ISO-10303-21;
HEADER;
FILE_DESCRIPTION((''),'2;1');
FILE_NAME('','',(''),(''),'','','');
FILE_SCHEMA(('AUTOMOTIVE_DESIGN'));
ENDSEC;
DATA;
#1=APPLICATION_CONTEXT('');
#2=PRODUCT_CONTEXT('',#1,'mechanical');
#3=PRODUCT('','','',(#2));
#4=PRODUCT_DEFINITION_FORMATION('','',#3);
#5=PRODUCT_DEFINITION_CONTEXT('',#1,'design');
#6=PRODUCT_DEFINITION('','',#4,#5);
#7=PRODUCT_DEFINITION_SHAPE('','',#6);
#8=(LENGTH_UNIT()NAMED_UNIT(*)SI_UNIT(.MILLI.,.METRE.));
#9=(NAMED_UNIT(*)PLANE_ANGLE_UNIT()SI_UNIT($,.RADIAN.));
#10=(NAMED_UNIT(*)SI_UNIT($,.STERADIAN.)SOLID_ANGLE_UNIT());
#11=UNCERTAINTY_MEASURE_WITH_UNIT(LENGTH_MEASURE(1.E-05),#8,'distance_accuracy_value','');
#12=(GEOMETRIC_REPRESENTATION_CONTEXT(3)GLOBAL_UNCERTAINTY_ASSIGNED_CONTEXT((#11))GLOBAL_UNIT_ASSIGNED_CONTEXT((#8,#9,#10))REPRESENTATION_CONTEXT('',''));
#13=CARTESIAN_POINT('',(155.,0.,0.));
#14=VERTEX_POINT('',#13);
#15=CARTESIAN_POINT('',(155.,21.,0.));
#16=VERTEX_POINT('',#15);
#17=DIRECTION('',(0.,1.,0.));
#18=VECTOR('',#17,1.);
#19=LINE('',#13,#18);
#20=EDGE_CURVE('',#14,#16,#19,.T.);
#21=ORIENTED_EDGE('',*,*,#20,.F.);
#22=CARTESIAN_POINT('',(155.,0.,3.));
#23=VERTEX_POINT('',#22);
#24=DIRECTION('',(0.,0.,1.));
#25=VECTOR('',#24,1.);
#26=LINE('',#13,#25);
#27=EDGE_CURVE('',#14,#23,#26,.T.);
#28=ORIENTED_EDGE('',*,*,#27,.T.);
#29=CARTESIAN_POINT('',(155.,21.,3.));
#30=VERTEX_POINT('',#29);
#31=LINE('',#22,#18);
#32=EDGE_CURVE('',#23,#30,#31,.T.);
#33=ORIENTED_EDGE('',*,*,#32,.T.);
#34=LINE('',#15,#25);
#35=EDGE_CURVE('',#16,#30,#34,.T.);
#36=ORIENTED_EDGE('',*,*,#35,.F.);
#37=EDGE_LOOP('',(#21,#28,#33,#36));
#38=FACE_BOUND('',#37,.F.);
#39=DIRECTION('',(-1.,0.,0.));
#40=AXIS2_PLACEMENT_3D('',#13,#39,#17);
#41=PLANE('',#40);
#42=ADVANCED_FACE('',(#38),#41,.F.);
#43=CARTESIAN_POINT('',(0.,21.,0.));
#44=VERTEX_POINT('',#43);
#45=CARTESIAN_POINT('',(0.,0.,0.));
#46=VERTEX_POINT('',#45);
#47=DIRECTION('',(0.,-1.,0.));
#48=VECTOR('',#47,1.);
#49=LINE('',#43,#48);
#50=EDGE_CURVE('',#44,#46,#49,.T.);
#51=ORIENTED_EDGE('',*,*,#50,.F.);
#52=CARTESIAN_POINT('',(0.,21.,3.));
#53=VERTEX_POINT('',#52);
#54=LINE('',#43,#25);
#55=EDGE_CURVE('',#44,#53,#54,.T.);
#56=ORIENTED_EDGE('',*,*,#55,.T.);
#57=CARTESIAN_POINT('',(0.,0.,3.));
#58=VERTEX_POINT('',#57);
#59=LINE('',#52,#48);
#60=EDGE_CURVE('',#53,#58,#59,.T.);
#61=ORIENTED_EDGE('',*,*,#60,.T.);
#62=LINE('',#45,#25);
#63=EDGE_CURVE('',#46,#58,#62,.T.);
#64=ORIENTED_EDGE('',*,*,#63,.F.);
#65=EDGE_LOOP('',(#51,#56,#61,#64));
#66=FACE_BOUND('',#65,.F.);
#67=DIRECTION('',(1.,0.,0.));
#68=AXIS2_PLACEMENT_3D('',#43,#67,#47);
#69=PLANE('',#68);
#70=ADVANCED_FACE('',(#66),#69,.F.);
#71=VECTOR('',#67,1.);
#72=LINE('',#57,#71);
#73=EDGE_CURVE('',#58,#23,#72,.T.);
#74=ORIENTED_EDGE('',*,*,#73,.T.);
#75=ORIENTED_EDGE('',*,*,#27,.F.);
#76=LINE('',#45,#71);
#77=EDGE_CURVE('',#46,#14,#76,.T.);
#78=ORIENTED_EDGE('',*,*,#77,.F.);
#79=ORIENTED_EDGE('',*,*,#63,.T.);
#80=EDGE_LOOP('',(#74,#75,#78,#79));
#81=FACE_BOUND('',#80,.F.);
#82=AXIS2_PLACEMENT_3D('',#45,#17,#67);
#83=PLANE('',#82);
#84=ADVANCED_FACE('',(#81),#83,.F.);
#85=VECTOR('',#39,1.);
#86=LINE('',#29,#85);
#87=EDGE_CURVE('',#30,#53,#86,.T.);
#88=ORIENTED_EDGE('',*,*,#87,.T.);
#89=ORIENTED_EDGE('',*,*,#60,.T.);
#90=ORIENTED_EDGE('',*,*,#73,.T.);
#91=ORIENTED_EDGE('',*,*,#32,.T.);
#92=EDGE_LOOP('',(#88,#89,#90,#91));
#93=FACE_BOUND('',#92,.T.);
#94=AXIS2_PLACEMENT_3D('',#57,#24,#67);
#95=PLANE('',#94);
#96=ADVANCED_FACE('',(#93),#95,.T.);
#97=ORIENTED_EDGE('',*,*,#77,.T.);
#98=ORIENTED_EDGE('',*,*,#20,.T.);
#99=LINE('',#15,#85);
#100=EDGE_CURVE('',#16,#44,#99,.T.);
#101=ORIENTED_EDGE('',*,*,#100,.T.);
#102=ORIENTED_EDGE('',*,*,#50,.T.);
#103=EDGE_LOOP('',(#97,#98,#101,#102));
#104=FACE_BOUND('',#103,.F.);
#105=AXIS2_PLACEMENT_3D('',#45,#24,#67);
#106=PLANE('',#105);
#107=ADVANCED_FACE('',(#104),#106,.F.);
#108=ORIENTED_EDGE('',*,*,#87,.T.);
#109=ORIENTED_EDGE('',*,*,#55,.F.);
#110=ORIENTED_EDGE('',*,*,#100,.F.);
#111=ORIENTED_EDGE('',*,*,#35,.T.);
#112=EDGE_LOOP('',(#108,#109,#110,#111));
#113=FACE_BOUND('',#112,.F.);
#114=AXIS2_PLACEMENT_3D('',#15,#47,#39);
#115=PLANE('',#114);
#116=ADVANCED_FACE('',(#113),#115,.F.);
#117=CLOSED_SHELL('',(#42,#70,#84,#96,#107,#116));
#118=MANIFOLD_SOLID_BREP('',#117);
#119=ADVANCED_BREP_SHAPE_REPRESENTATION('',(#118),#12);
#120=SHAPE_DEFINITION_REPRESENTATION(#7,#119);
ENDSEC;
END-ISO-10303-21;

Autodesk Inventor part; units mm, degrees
ref_plane "YZ Plane" through (0, 0, 0) normal (1, 0, 0) x (0, 1, 0)
ref_plane "XZ Plane" through (0, 0, 0) normal (0, 1, 0) x (-1, 0, 0)
ref_plane "XY Plane" through (0, 0, 0) normal (0, 0, 1) x (1, 0, 0)
sketch "Sketch1" plane through (0, 0, 0) normal (0, 0, 1) x (1, 0, 0)
  line L0 (0, 0) -> (155, 0)
  line L1 (155, 0) -> (155, 21)
  line L2 (155, 21) -> (0, 21)
  line L3 (0, 21) -> (0, 0)
  dimension "d0" = 155
  dimension "d1" = 21
extrude "Extrusion1" add sketch "Sketch1" along normal blind 3
properties part number "pcb cover left"
